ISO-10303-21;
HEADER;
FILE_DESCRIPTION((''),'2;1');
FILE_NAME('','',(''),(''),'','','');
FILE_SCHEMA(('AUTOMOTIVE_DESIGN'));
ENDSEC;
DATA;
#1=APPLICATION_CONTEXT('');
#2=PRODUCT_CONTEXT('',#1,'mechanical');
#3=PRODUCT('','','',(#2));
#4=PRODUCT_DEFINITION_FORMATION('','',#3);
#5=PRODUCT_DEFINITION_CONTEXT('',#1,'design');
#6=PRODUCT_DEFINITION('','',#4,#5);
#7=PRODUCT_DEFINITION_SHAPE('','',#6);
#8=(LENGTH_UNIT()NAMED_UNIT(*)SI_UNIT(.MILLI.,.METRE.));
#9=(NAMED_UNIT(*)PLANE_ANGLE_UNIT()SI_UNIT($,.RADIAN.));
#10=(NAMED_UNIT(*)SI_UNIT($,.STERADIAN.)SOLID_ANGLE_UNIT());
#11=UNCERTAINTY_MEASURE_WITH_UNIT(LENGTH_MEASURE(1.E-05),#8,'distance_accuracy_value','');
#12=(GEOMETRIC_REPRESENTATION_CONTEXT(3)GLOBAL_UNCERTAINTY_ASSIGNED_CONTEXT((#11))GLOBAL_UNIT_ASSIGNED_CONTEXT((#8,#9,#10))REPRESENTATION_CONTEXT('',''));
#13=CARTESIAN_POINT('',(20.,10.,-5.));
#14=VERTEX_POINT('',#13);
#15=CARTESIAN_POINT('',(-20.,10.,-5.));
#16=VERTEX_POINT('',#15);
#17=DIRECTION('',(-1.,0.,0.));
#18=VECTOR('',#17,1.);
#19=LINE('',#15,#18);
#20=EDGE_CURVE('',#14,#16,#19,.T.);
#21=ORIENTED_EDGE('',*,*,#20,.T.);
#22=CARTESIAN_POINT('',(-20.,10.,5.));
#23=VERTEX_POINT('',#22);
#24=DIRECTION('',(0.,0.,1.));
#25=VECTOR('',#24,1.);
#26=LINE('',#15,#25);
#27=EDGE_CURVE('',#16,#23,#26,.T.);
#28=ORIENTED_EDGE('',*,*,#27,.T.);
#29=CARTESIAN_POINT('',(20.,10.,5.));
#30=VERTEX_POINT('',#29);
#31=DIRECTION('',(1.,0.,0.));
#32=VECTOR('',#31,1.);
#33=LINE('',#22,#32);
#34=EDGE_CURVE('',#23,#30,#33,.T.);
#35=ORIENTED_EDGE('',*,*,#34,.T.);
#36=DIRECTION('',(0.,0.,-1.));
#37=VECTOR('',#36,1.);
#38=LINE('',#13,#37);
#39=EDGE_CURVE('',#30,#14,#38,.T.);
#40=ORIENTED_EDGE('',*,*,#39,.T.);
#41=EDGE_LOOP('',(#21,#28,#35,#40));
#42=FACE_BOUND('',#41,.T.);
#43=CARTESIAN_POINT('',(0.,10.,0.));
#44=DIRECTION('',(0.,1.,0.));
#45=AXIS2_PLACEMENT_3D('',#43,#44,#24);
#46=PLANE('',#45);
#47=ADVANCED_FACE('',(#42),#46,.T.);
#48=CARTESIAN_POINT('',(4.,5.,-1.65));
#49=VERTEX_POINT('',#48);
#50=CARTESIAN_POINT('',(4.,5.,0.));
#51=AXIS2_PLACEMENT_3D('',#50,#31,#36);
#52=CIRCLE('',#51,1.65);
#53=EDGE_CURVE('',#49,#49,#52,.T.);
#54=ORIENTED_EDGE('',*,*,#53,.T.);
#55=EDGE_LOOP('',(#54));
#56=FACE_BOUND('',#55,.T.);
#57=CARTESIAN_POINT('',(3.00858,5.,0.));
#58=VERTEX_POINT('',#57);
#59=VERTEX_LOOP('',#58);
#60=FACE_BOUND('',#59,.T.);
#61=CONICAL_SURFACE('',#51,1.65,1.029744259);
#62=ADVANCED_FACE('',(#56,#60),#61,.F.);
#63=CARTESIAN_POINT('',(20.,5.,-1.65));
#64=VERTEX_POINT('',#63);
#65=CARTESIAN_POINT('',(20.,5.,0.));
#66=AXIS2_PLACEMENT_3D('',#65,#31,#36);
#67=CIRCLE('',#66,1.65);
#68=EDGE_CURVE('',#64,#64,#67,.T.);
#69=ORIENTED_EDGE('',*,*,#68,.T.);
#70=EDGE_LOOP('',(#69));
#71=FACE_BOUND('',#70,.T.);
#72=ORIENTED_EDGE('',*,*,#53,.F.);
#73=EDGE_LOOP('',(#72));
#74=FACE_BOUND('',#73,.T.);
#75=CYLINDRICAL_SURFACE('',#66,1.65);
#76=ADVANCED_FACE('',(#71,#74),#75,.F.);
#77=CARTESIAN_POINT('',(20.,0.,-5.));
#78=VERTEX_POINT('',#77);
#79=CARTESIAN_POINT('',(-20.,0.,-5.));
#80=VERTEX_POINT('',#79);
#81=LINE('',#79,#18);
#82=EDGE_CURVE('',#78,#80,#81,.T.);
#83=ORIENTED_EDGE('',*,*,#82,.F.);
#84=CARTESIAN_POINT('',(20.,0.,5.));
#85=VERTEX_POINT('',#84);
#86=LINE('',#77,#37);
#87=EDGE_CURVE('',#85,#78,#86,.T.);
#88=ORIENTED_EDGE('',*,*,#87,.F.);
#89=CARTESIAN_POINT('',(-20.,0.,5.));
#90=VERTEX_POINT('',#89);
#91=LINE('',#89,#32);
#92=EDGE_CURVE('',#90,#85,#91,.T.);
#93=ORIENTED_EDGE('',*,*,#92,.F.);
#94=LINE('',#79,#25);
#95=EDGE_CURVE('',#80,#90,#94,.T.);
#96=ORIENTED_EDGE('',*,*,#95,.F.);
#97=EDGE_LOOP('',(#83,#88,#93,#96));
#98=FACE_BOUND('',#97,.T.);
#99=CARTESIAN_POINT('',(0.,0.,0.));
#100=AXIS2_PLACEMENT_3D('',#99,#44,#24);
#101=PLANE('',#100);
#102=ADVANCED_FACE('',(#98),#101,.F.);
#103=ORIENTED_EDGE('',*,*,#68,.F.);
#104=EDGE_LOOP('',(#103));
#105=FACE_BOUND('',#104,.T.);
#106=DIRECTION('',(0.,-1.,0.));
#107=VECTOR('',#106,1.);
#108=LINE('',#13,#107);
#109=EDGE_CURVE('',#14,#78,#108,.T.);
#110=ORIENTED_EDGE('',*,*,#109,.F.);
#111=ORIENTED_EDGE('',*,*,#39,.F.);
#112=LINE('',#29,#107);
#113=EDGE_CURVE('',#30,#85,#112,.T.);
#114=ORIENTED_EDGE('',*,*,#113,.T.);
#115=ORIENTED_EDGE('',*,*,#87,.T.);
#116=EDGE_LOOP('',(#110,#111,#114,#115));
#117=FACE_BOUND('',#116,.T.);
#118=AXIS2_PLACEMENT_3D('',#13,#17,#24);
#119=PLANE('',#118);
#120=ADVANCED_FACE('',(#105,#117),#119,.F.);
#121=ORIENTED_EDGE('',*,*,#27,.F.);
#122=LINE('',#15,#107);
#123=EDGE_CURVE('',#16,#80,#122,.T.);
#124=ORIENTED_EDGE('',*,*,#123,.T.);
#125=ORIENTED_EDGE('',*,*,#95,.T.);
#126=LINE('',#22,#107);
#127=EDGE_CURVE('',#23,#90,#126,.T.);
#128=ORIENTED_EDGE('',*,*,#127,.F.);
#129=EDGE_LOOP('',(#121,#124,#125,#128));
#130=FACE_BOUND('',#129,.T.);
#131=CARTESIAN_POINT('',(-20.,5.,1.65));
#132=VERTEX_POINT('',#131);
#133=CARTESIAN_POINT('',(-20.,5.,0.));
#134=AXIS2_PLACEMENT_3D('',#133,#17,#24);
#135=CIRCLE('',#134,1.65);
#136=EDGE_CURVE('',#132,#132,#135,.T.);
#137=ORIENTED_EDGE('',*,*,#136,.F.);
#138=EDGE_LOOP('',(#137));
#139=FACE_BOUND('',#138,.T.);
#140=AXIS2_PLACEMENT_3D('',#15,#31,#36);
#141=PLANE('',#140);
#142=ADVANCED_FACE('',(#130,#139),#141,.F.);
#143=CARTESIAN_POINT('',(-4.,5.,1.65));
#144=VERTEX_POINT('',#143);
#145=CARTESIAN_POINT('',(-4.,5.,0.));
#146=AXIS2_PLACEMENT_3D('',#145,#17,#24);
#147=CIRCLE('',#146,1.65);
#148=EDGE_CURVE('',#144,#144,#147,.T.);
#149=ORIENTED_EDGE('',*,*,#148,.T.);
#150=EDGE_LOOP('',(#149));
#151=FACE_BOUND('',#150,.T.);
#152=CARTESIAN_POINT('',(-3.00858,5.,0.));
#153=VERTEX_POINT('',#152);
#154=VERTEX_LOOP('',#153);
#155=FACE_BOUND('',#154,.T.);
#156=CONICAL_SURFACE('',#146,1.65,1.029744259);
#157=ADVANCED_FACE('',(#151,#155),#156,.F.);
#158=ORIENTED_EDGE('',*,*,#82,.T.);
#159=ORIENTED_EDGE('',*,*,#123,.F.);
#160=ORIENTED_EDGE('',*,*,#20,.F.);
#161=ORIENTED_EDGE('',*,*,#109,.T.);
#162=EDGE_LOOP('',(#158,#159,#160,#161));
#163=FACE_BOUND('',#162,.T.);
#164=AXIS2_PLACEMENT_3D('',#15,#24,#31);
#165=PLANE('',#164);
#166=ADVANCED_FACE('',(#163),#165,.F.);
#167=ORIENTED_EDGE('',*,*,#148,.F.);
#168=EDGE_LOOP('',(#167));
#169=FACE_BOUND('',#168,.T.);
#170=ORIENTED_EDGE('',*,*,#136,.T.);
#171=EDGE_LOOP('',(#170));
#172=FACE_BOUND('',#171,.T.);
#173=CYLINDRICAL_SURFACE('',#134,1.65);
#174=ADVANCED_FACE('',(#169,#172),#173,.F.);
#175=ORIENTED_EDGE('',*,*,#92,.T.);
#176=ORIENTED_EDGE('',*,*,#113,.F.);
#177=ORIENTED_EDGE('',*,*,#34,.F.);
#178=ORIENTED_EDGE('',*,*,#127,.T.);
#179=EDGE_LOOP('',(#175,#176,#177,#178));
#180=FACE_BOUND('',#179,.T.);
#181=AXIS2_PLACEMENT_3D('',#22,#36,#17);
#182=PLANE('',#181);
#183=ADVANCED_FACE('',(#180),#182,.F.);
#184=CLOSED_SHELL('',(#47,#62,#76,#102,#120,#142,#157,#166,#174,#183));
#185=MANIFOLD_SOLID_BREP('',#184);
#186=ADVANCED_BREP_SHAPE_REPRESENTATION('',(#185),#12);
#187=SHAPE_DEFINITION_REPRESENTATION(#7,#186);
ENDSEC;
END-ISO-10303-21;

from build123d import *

# Parameters (mm, degrees)
SKETCH1_W                           = 40
SKETCH1_H                           = 10
BOSS_EXTRUDE1_DEPTH                 = 10
M4X0_7_TAPPED_HOLE1_D               = 3.3
M4X0_7_TAPPED_HOLE1_DEPTH           = 16
M4X0_7_TAPPED_HOLE1_TIP             = 0.991420021
M4X0_7_TAPPED_HOLE1_ON_FACE_2_D     = 3.3
M4X0_7_TAPPED_HOLE1_ON_FACE_2_DEPTH = 16
M4X0_7_TAPPED_HOLE1_ON_FACE_2_TIP   = 0.991420021


with BuildPart() as part:
    # Sketch1 → Boss-Extrude1 (new body)
    with BuildSketch(Plane(origin=(0, 0, 0), x_dir=(1, 0, 0), z_dir=(0, 1, 0))):
        Rectangle(SKETCH1_W, SKETCH1_H)
    extrude(amount=BOSS_EXTRUDE1_DEPTH)

    # M4x0.7 Tapped Hole1
    with Locations(Plane(origin=(-20, 5, 0), x_dir=(0, 0, -1), z_dir=(-1, 0, 0))):
        with Locations((0, 0)):
            Hole(M4X0_7_TAPPED_HOLE1_D / 2, depth=M4X0_7_TAPPED_HOLE1_DEPTH)
            with Locations((0, 0, -(M4X0_7_TAPPED_HOLE1_DEPTH + M4X0_7_TAPPED_HOLE1_TIP / 2))):  # 118° drill point
                Cone(0, M4X0_7_TAPPED_HOLE1_D / 2, M4X0_7_TAPPED_HOLE1_TIP, mode=Mode.SUBTRACT)

    # M4x0.7 Tapped Hole1 on face 2
    with Locations(Plane(origin=(20, 5, 0), x_dir=(0, 0, 1), z_dir=(1, 0, 0))):
        with Locations((0, 0)):
            Hole(M4X0_7_TAPPED_HOLE1_ON_FACE_2_D / 2, depth=M4X0_7_TAPPED_HOLE1_ON_FACE_2_DEPTH)
            with Locations((0, 0, -(M4X0_7_TAPPED_HOLE1_ON_FACE_2_DEPTH + M4X0_7_TAPPED_HOLE1_ON_FACE_2_TIP / 2))):  # 118° drill point
                Cone(0, M4X0_7_TAPPED_HOLE1_ON_FACE_2_D / 2, M4X0_7_TAPPED_HOLE1_ON_FACE_2_TIP, mode=Mode.SUBTRACT)


solid = part.part
